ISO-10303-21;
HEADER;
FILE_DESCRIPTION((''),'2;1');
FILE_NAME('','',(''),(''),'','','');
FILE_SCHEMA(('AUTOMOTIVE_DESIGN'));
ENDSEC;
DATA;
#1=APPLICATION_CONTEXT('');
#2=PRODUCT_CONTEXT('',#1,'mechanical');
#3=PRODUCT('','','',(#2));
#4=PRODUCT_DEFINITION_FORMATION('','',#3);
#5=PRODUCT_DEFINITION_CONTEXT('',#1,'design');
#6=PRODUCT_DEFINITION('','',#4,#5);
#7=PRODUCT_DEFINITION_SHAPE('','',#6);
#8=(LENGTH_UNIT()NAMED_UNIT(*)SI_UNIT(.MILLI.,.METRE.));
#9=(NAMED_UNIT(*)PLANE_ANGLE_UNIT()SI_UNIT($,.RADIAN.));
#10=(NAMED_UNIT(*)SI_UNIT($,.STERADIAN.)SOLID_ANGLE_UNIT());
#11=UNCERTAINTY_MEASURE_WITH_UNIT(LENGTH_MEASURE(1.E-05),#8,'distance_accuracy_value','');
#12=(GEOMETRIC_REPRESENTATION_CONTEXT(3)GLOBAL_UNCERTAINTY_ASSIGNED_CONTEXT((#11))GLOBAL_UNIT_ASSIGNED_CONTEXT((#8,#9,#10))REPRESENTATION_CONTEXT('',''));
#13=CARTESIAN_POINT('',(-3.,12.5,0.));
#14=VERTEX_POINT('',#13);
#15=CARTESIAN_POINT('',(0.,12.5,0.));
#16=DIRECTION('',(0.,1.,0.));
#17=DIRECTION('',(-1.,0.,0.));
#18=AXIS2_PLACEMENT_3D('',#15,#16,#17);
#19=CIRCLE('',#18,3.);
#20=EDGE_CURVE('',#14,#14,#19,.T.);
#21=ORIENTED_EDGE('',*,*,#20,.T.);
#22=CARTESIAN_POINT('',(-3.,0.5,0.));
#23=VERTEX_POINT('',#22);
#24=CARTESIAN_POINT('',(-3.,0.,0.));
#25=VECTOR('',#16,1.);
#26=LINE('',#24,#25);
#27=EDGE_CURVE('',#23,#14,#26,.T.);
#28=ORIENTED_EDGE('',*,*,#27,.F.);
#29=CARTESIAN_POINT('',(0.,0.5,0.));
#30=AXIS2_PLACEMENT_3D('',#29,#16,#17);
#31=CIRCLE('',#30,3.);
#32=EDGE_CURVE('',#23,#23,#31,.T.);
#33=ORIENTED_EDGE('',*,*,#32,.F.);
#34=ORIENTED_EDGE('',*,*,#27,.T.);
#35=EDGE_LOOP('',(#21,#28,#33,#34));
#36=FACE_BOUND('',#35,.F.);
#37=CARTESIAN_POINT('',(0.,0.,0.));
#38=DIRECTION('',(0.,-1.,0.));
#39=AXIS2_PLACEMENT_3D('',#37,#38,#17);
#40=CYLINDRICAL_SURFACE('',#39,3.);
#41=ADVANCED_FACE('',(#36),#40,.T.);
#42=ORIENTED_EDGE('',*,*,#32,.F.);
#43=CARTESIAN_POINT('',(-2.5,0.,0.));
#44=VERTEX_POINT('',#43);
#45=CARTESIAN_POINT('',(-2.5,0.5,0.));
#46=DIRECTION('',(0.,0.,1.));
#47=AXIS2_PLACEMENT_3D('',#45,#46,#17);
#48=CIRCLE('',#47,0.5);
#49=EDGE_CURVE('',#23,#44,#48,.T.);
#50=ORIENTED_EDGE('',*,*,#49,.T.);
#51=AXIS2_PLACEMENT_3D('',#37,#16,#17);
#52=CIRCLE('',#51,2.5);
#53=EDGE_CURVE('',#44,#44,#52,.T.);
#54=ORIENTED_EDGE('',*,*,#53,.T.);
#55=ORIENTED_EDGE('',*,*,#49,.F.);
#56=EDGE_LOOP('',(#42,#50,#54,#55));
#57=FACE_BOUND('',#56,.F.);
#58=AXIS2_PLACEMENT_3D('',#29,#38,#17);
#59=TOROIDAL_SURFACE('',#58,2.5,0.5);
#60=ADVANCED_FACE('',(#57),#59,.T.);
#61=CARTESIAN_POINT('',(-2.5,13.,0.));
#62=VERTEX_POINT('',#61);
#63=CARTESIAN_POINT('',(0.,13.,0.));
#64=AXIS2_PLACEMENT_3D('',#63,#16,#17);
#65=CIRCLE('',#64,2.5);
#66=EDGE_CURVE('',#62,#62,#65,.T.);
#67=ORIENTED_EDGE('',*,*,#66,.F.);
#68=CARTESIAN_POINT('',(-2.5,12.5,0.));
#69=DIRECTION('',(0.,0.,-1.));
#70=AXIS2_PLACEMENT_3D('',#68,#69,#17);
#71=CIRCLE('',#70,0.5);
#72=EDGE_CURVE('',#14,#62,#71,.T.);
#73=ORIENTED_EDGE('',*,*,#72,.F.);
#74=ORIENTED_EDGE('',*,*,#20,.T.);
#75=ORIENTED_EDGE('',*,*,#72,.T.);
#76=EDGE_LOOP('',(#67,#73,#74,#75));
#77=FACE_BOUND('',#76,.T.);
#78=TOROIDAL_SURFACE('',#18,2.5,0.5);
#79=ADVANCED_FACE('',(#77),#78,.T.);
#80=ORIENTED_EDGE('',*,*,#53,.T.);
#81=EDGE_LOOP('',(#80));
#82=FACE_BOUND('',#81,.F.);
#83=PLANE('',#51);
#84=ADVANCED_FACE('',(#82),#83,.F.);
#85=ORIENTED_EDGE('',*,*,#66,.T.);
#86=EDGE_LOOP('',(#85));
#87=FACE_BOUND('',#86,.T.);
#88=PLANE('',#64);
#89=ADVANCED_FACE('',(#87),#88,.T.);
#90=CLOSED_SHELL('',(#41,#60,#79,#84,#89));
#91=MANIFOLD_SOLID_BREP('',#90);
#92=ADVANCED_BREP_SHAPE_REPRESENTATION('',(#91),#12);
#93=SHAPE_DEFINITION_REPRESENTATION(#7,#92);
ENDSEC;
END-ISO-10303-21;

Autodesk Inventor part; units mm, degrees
ref_plane "YZ Plane" through (0, 0, 0) normal (1, 0, 0) x (0, 1, 0)
ref_plane "XZ Plane" through (0, 0, 0) normal (0, 1, 0) x (-1, 0, 0)
ref_plane "XY Plane" through (0, 0, 0) normal (0, 0, 1) x (1, 0, 0)
sketch "Sketch1" plane through (0, 0, 0) normal (0, 1, 0) x (-1, 0, 0)
  circle A0 centre (0, 0) radius 3
  dimension "d0" = 6
extrude "Extrusion1" add sketch "Sketch1" along normal blind 13
fillet "Fillet1" radius 0.5 2 edges at (3, 13, 0) (3, 0, 0)
properties part number "Component 37(Connecting Rod Axle)"
